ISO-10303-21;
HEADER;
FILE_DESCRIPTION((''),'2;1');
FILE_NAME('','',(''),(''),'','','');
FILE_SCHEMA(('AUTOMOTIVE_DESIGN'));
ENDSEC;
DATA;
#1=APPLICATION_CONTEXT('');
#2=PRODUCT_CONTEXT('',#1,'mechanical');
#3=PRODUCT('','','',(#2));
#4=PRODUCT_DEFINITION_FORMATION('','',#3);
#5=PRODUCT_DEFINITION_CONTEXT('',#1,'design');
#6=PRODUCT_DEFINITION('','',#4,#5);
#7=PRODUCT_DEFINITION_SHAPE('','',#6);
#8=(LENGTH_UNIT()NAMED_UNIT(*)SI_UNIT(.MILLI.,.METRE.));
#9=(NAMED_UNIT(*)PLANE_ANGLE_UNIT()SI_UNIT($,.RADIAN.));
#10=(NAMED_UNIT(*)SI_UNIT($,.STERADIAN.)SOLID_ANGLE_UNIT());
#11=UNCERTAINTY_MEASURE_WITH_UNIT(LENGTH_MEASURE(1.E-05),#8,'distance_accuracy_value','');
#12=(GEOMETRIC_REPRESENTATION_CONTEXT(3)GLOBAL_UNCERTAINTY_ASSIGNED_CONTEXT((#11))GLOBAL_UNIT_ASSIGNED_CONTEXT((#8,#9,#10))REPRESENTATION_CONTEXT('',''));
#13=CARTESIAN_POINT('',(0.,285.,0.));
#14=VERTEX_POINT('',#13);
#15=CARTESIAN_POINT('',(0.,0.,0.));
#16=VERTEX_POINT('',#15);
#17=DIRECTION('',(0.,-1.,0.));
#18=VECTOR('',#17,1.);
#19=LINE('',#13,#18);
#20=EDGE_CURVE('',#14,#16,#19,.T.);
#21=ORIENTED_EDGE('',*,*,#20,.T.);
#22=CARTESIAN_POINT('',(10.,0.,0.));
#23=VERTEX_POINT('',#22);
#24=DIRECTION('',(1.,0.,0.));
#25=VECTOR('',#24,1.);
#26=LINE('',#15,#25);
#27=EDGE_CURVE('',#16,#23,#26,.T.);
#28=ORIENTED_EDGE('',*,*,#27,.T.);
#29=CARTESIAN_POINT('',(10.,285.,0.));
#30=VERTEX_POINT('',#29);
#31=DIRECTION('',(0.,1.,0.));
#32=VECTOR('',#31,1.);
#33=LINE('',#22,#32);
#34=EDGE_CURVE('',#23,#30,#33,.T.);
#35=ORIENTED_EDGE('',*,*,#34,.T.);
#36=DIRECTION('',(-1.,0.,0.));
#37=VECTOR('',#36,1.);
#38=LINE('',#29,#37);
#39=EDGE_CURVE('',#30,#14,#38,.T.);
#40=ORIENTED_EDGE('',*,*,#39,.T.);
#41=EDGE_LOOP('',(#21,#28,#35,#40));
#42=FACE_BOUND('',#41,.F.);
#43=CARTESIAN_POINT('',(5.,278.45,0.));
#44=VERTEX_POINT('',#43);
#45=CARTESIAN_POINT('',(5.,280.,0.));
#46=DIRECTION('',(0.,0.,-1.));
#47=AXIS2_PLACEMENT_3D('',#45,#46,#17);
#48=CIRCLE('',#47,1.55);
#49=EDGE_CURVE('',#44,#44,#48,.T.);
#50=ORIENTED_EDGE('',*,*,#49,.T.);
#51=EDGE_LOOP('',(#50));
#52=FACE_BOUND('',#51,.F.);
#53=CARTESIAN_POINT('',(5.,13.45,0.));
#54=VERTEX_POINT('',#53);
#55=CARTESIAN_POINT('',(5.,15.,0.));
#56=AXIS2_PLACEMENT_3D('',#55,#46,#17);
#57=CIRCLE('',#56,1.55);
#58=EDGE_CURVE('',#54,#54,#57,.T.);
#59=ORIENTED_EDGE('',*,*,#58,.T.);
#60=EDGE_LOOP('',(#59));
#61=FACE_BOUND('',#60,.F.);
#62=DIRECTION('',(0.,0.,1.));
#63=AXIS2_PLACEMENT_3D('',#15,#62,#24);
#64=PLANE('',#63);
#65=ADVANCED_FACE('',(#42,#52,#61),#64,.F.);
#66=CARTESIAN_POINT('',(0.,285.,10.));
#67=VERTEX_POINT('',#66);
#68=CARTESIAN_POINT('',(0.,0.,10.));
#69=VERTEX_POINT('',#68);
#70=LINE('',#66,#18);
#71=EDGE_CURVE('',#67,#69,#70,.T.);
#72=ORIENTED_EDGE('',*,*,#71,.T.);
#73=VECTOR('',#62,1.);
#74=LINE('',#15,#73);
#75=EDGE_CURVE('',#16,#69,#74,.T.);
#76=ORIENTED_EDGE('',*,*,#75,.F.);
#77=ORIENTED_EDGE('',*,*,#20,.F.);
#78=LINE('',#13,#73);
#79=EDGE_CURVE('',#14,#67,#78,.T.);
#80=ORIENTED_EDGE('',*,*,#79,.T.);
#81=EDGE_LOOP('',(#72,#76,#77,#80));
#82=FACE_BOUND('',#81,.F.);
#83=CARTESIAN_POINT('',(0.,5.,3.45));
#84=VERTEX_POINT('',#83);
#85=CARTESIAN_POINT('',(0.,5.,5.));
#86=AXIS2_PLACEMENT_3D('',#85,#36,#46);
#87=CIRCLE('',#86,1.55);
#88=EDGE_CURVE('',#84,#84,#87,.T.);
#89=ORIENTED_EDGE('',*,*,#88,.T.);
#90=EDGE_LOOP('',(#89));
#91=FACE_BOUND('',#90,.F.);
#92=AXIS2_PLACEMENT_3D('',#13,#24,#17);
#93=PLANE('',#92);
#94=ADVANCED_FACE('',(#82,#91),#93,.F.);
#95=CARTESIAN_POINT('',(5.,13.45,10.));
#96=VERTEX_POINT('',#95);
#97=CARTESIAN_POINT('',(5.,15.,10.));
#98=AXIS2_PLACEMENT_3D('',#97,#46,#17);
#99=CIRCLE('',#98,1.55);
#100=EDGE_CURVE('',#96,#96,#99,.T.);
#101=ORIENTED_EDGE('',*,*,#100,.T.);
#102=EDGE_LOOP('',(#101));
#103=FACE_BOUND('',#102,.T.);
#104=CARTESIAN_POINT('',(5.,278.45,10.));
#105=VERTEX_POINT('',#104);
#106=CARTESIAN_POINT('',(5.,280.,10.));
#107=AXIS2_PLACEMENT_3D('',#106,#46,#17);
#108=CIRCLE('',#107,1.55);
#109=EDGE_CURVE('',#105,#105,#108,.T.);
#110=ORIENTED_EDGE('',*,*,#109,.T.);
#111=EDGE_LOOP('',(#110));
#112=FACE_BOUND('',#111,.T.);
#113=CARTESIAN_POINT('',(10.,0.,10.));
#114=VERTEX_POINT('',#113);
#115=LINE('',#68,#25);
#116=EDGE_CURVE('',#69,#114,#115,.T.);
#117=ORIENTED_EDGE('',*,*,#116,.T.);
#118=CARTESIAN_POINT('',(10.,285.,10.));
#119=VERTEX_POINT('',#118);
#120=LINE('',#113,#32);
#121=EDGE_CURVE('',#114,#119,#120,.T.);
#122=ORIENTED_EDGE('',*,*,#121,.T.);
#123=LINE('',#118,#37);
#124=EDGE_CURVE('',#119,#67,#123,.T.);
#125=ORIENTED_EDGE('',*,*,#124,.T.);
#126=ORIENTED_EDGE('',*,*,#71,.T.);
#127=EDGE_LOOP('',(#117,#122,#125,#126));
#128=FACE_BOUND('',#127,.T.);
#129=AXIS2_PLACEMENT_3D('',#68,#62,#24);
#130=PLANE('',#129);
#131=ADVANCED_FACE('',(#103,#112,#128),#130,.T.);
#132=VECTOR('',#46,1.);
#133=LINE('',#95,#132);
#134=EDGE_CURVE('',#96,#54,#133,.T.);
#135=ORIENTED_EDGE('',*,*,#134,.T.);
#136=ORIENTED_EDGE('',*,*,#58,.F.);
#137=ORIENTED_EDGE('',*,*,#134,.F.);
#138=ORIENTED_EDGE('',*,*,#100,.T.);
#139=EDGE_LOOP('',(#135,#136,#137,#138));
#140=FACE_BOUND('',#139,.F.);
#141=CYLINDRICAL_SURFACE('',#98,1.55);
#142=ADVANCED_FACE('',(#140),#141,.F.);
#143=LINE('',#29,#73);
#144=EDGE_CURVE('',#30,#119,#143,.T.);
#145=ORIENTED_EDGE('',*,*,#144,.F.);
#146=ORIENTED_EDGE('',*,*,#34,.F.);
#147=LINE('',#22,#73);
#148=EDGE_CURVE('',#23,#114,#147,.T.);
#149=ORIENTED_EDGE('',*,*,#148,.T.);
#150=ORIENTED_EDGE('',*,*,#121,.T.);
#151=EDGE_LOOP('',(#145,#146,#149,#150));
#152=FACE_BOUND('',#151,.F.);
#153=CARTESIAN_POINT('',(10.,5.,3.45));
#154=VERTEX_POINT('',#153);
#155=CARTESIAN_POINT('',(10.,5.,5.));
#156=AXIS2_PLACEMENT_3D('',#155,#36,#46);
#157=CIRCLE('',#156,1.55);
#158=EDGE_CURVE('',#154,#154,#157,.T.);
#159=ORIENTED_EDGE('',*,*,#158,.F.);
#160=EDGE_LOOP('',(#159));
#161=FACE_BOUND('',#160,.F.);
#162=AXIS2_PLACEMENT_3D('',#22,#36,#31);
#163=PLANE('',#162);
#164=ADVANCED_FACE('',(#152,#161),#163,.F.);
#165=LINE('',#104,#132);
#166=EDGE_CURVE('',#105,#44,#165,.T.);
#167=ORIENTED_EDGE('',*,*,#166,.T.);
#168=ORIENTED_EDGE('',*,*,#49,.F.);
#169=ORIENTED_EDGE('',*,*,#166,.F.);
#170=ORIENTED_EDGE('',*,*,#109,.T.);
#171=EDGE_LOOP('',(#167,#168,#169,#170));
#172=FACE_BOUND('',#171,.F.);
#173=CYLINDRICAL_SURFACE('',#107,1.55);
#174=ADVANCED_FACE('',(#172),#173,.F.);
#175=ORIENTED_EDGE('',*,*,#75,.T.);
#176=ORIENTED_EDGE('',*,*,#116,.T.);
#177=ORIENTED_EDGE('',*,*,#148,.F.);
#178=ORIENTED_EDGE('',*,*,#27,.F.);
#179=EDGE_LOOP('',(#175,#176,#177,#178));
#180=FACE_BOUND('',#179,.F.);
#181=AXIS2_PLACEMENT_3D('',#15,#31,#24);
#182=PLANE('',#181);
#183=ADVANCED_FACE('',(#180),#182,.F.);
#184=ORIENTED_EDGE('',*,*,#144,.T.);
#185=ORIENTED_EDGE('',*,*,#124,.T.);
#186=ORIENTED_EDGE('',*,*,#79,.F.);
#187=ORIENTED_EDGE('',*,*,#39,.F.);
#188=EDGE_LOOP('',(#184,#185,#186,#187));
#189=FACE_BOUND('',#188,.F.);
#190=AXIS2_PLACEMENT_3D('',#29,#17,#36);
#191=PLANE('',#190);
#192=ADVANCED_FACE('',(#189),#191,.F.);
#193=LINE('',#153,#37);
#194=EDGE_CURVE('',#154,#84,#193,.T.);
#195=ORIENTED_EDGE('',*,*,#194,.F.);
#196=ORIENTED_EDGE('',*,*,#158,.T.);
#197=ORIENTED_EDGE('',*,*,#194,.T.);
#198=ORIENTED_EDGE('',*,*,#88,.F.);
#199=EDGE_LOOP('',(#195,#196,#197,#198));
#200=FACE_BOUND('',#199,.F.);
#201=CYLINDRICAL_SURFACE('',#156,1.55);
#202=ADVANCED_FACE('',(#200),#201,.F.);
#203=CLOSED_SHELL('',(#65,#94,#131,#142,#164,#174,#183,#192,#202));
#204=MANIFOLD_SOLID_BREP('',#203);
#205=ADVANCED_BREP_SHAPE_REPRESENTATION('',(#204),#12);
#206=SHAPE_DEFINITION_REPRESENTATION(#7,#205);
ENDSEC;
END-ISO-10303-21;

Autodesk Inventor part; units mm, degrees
ref_plane "YZ Plane" through (0, 0, 0) normal (1, 0, 0) x (0, 1, 0)
ref_plane "XZ Plane" through (0, 0, 0) normal (0, 1, 0) x (-1, 0, 0)
ref_plane "XY Plane" through (0, 0, 0) normal (0, 0, 1) x (1, 0, 0)
sketch "スケッチ1" plane through (0, 0, 0) normal (0, 0, 1) x (1, 0, 0)
  line L0 (0, 0) -> (10, 0)
  line L1 (10, 0) -> (10, 285)
  line L2 (10, 285) -> (0, 285)
  line L3 (0, 285) -> (0, 0)
  dimension "d0" = 10
  dimension "d1" = 285
extrude "押し出し1" add sketch "スケッチ1" along normal blind 10
sketch "スケッチ2" plane through (10, 0, 0) normal (1, 0, 0) x (0, 0, -1)
  line L0 (0, 0) -> (-10, 0) projected
  line L1 (0, 285) -> (-10, 285) projected
  point P0 (-5, 5)
  point P1 (-5, 0)
  point P2 (-5, 0)
  point P3 (-5, 0)
  point P4 (-5, 285)
  dimension "d4" = 5
hole "穴1" at (10, 5, 5) direction (-1, 0, 0) diameter 3.1 end through all
sketch "スケッチ3" plane through (0, 0, 10) normal (0, 0, 1) x (1, 0, 0)
  line L0 (0, 0) -> (10, 0) projected
  line L1 (10, 285) -> (0, 285) projected
  point P0 (5, 15)
  point P1 (5, 280)
  point P2 (5, 0)
  point P3 (5, 0)
  point P4 (5, 0)
  point P5 (5, 285)
  dimension "d13" = 15
  dimension "d14" = 5
hole "穴2" at (5, 15, 10) at (5, 280, 10) direction (0, 0, -1) diameter 3.1 end through all
properties part number "Tate"
